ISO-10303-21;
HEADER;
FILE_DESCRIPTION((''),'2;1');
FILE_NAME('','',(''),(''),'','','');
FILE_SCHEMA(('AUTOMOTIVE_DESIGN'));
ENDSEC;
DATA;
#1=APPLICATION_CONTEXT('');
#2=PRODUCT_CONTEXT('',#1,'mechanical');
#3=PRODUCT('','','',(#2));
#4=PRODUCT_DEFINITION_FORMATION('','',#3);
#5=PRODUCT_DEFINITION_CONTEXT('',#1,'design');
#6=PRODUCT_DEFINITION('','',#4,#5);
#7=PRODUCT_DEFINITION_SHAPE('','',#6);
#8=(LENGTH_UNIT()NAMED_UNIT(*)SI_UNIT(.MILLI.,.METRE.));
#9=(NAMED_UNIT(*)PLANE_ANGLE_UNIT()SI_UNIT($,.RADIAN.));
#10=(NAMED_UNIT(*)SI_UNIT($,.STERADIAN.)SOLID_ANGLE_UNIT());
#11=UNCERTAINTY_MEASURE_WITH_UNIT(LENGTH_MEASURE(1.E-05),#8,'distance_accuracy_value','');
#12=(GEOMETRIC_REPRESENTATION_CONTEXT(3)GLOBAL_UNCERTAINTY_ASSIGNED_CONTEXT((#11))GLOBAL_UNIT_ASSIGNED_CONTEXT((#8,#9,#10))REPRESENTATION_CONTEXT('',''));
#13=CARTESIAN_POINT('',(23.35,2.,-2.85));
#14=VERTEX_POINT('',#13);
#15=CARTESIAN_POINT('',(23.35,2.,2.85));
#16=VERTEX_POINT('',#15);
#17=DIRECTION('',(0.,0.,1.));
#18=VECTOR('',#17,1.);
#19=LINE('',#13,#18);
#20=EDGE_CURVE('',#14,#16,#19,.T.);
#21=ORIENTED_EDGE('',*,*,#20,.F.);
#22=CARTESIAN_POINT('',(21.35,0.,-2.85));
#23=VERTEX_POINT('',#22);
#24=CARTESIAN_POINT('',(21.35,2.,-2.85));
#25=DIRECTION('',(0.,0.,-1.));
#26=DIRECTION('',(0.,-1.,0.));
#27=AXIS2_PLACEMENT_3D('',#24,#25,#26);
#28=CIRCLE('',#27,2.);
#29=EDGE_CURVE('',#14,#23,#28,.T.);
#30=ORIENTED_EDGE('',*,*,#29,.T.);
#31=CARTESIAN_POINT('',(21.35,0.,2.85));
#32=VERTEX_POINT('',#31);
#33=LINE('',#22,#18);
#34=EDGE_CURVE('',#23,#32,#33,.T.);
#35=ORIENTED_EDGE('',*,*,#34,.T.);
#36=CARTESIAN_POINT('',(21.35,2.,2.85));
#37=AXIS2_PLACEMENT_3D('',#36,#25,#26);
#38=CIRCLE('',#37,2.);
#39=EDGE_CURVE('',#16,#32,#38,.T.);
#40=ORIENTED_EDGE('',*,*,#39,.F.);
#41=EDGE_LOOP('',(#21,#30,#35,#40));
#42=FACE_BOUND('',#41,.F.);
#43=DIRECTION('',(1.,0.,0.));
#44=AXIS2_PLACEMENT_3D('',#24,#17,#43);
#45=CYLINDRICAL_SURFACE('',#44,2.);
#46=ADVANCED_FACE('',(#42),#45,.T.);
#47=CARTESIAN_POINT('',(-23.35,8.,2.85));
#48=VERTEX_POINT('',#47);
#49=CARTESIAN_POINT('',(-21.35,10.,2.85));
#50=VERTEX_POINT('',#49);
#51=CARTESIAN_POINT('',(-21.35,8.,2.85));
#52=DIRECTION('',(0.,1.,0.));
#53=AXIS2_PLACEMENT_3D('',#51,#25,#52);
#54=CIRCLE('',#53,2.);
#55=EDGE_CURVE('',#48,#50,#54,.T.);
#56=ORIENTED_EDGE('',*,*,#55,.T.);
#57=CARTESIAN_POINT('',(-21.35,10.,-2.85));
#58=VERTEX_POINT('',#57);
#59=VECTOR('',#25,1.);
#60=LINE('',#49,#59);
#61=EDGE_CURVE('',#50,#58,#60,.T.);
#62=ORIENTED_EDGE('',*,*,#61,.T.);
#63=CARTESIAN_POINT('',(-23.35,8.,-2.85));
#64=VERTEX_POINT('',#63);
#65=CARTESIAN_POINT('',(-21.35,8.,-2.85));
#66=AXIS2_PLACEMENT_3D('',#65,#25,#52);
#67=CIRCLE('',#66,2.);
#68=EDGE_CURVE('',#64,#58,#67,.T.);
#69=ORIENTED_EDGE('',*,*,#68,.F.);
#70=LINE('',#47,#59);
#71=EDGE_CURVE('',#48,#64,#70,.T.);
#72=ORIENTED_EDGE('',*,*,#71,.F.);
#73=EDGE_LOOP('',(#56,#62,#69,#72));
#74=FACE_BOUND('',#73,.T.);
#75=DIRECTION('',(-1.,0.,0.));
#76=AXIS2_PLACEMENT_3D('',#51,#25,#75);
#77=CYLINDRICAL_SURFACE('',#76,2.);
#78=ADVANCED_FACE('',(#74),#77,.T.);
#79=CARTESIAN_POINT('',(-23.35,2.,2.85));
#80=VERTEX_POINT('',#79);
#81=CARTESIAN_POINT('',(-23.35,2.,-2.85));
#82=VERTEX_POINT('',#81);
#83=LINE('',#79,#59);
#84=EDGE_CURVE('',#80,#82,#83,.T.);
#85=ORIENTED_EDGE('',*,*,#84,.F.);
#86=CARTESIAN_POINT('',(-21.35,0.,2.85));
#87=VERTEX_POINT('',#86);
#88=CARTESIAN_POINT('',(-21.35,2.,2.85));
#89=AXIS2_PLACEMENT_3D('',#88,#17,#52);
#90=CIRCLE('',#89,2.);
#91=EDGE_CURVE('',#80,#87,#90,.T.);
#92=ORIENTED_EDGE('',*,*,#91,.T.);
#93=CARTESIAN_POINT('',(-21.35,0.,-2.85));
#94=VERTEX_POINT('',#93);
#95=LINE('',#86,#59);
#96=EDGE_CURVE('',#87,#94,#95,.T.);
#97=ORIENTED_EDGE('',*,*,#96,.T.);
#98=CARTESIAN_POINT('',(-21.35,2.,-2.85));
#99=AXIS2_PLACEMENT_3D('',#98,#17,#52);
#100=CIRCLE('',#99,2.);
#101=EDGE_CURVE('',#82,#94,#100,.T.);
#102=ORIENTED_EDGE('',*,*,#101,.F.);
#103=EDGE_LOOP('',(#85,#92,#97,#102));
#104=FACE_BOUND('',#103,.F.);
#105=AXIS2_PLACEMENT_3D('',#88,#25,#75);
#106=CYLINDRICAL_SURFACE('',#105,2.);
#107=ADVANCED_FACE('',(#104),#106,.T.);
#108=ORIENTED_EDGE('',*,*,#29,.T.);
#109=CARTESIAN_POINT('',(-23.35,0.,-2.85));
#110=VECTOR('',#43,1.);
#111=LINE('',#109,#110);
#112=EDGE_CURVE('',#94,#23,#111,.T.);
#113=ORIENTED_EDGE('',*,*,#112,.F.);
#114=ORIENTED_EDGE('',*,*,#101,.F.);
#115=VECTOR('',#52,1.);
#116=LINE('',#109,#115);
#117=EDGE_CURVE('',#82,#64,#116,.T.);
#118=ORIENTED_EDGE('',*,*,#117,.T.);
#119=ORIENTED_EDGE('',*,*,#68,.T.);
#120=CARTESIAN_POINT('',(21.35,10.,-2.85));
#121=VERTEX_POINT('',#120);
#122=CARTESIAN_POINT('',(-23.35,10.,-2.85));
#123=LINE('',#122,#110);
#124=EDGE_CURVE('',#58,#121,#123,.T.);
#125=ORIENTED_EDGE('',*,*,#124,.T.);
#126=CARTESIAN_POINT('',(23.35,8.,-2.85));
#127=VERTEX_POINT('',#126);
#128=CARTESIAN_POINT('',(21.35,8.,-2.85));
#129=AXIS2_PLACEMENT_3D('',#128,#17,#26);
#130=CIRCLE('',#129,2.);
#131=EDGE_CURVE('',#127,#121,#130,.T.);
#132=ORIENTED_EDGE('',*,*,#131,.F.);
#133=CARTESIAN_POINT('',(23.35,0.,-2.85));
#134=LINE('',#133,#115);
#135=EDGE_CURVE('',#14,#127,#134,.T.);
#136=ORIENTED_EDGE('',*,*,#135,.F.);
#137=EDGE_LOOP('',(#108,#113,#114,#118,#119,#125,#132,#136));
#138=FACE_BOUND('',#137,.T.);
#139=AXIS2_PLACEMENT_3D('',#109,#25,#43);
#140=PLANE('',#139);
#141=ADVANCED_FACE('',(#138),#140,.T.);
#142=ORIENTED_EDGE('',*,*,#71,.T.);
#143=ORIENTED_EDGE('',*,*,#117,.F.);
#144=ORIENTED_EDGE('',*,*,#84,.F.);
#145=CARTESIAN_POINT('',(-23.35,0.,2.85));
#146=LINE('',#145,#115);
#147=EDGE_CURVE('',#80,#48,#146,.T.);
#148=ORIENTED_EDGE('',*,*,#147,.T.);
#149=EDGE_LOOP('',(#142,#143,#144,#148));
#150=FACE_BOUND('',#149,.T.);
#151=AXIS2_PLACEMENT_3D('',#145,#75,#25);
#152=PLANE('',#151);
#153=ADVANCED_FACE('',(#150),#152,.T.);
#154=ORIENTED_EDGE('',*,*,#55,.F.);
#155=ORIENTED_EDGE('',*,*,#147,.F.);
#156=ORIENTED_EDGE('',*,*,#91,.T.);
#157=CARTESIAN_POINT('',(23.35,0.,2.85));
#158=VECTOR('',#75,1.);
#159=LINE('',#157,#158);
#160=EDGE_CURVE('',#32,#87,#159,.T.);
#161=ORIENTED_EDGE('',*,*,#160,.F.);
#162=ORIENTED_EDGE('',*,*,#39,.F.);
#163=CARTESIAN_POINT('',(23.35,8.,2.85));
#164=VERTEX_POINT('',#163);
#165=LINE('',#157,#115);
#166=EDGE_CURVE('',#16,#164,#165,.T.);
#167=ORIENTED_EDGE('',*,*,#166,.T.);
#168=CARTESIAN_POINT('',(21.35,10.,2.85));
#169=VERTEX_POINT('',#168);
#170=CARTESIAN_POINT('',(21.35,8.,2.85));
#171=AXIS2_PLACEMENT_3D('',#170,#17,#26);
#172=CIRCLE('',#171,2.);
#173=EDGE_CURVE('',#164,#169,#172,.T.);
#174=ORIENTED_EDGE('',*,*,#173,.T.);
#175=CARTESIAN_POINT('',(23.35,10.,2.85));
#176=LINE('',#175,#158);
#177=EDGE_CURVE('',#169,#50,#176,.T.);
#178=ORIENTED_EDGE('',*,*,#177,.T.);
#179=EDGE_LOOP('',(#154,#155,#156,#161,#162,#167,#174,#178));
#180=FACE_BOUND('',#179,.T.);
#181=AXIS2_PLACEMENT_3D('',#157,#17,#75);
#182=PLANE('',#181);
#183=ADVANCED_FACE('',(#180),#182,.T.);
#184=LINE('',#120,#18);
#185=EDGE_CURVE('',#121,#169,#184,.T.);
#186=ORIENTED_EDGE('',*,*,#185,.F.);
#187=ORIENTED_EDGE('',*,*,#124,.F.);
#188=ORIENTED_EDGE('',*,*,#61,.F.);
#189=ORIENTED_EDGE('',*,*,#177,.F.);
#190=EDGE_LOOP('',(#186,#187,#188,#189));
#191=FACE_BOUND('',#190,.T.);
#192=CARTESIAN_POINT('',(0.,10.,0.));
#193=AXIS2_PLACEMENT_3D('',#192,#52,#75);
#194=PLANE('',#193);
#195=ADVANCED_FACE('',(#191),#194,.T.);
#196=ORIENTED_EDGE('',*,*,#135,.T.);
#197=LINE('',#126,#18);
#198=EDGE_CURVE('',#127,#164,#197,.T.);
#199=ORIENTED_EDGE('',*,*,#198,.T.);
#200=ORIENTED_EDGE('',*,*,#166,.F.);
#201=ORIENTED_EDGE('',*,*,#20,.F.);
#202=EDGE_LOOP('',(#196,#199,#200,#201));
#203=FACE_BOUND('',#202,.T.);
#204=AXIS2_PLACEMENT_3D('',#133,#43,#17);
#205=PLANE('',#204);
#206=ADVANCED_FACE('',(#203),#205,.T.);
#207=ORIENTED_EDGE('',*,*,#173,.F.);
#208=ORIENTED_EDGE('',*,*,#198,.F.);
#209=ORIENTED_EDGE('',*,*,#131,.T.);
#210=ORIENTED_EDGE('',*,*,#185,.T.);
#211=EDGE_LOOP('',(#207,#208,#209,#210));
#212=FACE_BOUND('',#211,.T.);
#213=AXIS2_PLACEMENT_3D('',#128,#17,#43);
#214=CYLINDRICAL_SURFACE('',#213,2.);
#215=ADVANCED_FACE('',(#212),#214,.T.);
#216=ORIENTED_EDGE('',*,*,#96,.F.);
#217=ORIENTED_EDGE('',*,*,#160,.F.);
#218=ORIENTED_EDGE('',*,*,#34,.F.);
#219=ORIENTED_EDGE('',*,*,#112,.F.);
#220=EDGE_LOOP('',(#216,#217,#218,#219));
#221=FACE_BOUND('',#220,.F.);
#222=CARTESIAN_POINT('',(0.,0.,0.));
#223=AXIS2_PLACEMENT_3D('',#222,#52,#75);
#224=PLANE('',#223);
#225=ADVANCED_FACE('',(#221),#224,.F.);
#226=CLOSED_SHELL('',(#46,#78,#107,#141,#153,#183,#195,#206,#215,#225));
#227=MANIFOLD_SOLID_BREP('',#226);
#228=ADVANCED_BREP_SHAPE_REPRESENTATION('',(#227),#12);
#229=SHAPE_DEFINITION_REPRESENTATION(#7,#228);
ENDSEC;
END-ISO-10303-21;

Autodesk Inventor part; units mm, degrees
ref_plane "YZ Plane" through (0, 0, 0) normal (1, 0, 0) x (0, 1, 0)
ref_plane "XZ Plane" through (0, 0, 0) normal (0, 1, 0) x (-1, 0, 0)
ref_plane "XY Plane" through (0, 0, 0) normal (0, 0, 1) x (1, 0, 0)
sketch "Boceto1" plane through (0, 0, 0) normal (0, 1, 0) x (-1, 0, 0)
  line L0 (-23.35, 2.85) -> (23.35, 2.85)
  line L1 (23.35, 2.85) -> (23.35, -2.85)
  line L2 (23.35, -2.85) -> (-23.35, -2.85)
  line L3 (-23.35, -2.85) -> (-23.35, 2.85)
  line L4 (-23.35, 2.85) -> (23.35, -2.85) construction
  line L5 (23.35, 2.85) -> (-23.35, -2.85) construction
  point P0 (0, 0)
  dimension "d0" = 5.7
  dimension "d1" = 46.7
extrude "Extrusión1" add sketch "Boceto1" along normal blind 10
fillet "Empalme1" radius 2 4 edges at (-23.35, 0, 0) (-23.35, 10, 0) (23.35, 0, 0) (23.35, 10, 0)
properties part number "tococo" material "UHMW, negro"
